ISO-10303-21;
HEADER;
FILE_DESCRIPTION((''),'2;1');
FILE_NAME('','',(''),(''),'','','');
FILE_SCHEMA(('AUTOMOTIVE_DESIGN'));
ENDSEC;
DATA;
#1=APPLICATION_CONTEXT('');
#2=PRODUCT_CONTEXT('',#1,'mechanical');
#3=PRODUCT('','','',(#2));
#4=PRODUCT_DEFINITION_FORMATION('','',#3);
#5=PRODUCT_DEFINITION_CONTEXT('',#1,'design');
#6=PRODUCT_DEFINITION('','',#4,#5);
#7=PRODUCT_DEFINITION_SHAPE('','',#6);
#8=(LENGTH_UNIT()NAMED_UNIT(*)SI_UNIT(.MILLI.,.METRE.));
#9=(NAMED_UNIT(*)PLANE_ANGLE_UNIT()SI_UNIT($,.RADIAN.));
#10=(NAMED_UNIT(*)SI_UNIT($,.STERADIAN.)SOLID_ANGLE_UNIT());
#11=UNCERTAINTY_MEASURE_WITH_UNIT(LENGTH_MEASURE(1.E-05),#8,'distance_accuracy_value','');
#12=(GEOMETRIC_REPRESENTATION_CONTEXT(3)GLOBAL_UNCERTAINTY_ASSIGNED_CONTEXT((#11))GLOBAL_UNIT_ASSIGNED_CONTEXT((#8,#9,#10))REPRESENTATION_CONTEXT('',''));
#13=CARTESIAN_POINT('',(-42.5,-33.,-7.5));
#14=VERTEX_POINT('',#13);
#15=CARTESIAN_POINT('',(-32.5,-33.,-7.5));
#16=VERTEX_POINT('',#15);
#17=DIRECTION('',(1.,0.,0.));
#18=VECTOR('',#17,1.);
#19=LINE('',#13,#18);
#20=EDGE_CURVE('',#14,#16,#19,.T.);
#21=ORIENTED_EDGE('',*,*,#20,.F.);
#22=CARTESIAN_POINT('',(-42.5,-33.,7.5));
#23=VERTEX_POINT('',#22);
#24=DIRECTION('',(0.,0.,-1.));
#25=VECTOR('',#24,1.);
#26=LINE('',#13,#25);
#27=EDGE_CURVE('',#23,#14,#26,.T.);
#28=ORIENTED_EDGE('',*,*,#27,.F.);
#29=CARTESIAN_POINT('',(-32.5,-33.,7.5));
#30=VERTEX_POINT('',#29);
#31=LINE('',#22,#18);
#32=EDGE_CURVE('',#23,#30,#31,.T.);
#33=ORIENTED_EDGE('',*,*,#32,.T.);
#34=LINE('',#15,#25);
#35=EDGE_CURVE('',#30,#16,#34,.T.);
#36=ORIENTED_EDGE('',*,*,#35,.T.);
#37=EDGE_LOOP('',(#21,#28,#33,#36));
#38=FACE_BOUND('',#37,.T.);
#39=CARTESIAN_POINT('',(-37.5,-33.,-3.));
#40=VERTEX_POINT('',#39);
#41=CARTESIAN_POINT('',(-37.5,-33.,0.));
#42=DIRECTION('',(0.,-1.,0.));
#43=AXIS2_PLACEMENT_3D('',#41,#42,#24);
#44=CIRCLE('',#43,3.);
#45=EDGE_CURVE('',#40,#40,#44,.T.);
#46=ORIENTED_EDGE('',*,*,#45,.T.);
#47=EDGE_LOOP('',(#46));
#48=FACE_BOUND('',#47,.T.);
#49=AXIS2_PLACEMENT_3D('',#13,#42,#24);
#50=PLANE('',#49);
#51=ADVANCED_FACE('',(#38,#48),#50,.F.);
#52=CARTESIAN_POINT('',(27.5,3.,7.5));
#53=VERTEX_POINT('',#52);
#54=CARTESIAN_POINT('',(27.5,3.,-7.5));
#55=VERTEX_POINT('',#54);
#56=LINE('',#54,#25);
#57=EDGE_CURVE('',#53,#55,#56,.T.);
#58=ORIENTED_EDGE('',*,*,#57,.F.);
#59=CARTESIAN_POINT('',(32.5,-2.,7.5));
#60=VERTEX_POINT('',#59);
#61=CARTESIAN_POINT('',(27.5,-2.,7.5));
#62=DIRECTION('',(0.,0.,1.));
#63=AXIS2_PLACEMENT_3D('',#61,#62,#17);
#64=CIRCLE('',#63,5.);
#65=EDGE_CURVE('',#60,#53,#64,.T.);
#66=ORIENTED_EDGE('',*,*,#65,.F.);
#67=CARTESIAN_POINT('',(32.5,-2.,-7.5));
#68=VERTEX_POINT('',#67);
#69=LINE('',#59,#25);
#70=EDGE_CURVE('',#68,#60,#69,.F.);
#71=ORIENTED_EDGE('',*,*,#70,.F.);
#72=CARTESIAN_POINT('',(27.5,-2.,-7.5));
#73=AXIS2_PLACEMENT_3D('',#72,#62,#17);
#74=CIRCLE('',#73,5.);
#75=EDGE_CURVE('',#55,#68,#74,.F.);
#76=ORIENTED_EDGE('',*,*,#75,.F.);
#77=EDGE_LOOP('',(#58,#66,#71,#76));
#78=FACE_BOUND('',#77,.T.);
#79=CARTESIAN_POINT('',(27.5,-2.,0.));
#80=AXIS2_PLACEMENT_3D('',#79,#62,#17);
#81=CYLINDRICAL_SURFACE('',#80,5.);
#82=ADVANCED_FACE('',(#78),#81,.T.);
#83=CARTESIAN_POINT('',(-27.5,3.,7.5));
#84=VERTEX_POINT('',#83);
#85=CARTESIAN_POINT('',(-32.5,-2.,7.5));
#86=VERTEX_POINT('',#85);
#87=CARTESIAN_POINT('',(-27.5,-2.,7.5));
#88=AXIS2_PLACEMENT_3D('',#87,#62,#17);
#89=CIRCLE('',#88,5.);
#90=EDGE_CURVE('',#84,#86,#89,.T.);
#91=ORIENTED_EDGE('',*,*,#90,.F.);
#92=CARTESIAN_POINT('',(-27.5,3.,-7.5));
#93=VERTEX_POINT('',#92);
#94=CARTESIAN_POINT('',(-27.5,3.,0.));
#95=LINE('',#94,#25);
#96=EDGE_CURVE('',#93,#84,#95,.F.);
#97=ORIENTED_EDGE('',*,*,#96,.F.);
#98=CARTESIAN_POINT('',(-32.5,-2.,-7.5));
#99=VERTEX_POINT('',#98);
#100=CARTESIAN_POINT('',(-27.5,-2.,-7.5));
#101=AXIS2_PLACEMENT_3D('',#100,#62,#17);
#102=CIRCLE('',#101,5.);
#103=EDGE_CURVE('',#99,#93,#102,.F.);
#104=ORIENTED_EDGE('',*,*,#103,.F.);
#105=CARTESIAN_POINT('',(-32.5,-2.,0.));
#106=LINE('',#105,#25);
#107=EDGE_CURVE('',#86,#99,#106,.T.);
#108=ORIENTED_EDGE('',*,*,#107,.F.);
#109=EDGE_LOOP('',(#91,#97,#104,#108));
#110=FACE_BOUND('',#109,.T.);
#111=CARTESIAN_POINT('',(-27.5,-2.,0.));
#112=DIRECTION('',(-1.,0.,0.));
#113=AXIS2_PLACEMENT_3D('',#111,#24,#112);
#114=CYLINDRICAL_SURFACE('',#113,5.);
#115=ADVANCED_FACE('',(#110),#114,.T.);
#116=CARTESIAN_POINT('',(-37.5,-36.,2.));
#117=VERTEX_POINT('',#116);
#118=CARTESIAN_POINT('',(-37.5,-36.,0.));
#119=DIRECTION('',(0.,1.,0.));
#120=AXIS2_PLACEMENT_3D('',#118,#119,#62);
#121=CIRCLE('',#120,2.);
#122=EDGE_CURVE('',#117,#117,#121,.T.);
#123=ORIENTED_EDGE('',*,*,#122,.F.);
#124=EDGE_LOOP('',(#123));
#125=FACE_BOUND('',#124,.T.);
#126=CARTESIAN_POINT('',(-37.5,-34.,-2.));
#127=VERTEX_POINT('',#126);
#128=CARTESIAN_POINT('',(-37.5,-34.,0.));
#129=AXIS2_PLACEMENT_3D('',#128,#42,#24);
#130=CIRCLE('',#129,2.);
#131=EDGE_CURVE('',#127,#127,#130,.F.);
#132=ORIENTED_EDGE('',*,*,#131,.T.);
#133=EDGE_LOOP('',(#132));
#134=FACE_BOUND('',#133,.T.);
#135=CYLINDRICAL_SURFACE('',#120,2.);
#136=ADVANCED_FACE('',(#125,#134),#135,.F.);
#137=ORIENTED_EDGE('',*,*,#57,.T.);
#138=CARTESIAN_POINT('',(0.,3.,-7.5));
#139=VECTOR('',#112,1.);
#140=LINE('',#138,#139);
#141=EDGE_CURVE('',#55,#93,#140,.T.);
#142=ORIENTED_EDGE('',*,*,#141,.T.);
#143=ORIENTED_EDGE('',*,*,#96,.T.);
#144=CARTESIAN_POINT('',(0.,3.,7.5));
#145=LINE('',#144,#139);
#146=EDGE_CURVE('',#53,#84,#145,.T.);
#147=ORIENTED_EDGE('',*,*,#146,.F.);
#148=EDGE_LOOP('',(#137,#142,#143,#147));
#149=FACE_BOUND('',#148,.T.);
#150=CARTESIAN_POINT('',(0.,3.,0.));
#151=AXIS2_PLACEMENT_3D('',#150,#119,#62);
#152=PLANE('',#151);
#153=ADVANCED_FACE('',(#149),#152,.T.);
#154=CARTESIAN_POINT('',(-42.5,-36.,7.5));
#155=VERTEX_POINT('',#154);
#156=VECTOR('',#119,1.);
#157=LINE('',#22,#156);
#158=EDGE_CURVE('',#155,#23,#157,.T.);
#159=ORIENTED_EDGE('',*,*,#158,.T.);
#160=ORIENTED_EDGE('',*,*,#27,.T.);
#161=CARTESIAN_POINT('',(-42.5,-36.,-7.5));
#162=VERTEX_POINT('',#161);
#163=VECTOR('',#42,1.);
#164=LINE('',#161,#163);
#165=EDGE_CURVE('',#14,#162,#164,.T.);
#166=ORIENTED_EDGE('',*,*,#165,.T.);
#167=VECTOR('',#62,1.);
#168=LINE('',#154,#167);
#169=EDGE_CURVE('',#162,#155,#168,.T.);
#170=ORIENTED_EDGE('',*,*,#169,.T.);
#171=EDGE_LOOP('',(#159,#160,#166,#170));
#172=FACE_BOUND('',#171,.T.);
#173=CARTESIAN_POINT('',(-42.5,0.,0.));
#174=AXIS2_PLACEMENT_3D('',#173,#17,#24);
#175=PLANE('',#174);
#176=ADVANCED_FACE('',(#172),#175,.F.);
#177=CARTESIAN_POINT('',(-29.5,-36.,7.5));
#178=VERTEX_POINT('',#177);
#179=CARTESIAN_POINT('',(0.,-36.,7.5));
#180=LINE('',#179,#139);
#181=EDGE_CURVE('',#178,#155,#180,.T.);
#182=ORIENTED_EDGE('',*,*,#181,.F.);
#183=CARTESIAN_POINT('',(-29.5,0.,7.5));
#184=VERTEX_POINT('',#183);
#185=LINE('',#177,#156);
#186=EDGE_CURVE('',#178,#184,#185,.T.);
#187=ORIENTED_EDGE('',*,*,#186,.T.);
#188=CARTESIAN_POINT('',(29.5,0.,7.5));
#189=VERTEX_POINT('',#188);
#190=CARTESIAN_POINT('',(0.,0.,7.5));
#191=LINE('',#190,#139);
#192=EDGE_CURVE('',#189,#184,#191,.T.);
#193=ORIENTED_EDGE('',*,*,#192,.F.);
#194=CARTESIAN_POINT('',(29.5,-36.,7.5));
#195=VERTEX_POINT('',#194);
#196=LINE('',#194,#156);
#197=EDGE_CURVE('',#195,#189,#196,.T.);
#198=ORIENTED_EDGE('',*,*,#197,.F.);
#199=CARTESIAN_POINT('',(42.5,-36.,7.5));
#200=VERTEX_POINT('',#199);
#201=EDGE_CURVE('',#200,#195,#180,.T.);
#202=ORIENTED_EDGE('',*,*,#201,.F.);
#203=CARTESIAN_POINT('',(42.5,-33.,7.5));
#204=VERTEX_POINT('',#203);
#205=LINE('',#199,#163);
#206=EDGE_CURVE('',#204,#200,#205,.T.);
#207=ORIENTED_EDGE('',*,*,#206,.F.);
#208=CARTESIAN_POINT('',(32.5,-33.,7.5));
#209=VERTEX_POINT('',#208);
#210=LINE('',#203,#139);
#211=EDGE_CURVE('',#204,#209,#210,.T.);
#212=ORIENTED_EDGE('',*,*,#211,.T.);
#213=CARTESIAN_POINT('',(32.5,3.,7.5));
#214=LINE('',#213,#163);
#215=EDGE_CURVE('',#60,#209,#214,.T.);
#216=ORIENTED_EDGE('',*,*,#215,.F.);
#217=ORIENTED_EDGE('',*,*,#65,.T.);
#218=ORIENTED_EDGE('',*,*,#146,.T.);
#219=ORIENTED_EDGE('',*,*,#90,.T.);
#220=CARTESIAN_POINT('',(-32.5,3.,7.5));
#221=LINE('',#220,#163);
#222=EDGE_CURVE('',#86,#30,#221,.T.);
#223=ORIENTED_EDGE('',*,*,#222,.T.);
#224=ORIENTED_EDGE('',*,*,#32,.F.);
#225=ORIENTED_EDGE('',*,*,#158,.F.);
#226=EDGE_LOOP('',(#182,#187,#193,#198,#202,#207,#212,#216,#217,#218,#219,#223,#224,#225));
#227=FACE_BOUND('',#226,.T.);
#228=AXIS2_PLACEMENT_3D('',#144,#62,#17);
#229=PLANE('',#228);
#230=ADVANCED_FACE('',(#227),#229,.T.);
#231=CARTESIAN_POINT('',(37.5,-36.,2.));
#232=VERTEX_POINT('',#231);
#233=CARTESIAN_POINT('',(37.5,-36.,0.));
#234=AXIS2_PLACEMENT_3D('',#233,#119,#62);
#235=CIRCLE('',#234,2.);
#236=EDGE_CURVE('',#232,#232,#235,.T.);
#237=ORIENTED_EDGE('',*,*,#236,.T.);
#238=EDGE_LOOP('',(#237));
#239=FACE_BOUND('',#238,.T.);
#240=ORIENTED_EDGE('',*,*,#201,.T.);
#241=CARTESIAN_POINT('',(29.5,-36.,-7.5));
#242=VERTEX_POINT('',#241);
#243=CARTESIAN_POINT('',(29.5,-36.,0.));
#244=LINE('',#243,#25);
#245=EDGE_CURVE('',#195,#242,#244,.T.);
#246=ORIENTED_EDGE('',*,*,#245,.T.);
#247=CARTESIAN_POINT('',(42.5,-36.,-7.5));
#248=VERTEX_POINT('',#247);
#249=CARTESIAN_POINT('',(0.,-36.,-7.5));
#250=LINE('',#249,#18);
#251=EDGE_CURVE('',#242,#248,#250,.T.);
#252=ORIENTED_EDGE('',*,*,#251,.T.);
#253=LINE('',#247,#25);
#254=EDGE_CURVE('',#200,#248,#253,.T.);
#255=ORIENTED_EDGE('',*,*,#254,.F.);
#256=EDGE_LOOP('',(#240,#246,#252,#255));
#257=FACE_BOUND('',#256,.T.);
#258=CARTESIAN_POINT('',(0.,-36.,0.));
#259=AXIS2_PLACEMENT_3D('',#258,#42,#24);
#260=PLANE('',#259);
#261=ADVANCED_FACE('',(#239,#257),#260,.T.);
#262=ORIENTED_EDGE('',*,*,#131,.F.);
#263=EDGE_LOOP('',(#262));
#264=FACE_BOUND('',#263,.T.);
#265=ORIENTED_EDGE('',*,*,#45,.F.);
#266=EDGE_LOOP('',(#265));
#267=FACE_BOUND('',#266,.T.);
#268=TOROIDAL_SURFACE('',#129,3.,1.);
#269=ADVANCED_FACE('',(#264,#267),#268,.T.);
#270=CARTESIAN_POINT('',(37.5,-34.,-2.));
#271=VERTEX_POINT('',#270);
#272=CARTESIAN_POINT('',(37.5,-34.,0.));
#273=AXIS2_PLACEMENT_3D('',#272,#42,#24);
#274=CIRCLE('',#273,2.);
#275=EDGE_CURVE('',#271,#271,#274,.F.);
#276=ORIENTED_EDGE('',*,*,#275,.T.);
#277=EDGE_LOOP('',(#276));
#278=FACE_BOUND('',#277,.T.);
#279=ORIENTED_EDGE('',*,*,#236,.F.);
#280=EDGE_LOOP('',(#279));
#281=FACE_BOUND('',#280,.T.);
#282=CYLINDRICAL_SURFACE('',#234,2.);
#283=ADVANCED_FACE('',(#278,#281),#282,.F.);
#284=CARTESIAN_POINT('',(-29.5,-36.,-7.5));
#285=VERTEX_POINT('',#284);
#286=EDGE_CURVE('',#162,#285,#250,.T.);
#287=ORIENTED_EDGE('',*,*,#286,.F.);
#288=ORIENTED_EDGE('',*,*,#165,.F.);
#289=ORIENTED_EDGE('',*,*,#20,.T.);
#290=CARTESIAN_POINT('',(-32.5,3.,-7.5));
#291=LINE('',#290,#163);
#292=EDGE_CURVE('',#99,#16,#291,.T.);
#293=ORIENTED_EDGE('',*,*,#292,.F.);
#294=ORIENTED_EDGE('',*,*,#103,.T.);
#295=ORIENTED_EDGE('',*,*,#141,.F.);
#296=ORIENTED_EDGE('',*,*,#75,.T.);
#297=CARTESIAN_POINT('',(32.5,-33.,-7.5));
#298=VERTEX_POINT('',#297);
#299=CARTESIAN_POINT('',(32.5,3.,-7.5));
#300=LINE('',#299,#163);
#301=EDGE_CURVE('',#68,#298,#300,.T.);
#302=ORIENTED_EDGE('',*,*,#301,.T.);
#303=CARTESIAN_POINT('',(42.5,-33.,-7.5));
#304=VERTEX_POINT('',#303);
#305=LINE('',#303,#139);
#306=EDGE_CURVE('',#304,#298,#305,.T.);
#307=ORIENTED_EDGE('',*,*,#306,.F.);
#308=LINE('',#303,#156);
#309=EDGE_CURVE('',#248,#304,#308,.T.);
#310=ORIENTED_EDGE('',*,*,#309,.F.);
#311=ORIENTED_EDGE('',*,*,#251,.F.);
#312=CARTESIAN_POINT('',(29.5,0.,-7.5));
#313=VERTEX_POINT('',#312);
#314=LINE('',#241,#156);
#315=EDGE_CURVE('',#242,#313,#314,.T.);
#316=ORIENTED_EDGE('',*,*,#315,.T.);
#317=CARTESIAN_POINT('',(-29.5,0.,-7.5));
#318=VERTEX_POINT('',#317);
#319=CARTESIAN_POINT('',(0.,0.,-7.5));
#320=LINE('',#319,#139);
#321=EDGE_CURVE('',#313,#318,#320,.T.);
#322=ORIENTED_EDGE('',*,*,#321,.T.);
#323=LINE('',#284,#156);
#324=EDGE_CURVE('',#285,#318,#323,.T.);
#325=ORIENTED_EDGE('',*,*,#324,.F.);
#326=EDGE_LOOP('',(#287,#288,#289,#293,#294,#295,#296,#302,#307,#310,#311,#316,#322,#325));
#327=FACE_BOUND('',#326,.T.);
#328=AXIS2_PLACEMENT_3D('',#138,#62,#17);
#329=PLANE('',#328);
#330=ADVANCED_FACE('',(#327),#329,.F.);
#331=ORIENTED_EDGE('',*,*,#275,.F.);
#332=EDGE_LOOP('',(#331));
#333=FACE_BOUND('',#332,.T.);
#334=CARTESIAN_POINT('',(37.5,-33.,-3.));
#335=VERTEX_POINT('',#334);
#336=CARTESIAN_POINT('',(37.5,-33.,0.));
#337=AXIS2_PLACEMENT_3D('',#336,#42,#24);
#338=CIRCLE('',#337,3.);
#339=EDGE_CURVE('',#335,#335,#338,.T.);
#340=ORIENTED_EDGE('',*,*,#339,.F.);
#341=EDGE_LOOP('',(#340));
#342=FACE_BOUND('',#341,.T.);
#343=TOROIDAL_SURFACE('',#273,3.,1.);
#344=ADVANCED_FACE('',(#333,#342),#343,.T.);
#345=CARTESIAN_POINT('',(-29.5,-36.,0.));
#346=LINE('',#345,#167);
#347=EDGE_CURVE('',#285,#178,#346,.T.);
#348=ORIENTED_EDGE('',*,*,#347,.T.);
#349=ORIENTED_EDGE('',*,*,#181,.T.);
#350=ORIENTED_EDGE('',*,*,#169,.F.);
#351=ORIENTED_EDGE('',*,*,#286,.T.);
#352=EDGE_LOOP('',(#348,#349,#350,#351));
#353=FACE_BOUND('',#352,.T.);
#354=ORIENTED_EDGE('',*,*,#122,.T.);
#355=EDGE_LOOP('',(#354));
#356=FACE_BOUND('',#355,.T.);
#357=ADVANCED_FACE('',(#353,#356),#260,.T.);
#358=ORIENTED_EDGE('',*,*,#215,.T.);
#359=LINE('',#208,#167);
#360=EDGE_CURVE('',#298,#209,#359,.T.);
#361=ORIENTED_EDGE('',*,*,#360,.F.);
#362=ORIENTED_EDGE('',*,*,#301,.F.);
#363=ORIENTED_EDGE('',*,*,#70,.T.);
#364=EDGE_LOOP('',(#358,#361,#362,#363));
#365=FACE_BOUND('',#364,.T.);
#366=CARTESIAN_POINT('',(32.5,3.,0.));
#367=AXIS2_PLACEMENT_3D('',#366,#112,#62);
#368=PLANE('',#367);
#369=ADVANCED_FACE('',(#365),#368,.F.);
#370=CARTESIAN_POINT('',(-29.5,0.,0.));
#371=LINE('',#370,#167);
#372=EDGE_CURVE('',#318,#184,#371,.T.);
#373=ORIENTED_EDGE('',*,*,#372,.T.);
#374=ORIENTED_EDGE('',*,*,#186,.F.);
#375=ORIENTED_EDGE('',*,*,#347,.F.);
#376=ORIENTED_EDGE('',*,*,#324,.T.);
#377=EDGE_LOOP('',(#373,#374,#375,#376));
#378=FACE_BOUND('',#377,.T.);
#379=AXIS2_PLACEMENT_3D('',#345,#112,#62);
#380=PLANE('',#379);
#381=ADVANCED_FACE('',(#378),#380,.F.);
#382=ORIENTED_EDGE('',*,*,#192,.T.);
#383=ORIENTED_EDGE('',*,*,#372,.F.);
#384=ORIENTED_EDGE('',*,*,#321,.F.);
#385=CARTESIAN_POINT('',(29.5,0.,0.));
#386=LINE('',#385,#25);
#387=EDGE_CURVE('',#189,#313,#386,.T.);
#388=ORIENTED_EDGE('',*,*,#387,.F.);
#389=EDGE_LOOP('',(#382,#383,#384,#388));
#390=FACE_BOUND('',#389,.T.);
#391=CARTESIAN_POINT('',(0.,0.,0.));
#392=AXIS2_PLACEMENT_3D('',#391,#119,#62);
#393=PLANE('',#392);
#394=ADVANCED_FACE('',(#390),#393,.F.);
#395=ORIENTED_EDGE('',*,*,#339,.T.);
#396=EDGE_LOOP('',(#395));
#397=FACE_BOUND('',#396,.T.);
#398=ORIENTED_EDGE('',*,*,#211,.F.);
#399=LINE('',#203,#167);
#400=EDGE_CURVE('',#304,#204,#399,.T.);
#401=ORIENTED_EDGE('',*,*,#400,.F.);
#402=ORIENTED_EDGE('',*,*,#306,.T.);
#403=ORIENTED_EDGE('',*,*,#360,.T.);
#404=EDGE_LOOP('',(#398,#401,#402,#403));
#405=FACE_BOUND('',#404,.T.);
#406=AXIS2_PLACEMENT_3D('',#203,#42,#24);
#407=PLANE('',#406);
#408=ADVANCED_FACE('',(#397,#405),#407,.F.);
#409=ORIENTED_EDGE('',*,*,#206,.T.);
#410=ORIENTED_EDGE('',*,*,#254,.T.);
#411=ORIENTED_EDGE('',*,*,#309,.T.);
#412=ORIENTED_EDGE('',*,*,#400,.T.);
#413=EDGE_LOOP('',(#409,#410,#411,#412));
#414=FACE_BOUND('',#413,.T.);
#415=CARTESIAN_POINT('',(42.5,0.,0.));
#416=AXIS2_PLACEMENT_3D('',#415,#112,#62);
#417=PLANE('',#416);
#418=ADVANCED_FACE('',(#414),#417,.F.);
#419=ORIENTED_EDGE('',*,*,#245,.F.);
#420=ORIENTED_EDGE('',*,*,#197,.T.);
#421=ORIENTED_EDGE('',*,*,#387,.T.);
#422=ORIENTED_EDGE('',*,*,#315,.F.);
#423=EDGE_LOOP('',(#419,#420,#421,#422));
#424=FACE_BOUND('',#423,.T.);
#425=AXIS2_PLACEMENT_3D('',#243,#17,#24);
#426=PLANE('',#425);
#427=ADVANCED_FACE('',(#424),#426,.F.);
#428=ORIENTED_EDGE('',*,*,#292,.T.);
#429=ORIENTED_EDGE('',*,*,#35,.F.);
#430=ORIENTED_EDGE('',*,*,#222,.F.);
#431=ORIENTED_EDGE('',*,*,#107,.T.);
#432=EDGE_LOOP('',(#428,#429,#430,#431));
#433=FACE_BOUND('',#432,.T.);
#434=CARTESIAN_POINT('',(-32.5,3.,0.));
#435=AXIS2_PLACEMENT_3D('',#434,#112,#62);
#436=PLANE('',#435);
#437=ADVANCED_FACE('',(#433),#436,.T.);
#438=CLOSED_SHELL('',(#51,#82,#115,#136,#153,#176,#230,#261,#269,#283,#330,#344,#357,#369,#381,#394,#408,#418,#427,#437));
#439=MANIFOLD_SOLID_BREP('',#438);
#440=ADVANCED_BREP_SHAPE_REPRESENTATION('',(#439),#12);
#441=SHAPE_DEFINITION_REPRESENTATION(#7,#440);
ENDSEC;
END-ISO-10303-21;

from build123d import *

# Parameters (mm, degrees)
BOSS_EXTRUDE1_DEPTH = 3
SKETCH3_W           = 3
SKETCH3_H           = 15
BOSS_EXTRUDE2_DEPTH = 36
SKETCH5_W           = 15
SKETCH5_H           = 3
BOSS_EXTRUDE3_DEPTH = 10
SKETCH6_W           = 15
SKETCH6_H           = 3
BOSS_EXTRUDE4_DEPTH = 10
CUT_EXTRUDE1_DEPTH  = 3
FILLET1_R           = 5
FILLET2_R           = 1


with BuildPart() as part:
    # Sketch2 → Boss-Extrude1 (new body)
    with BuildSketch(Plane(origin=(0, 0, 0), x_dir=(1, 0, 0), z_dir=(0, 1, 0))):
        Polygon((32.5, 0), (0, 0), (-32.5, 0), (-32.5, -7.5), (32.5, -7.5), align=None)
        Polygon((-32.5, 0), (0, 0), (32.5, 0), (32.5, 7.5), (-32.5, 7.5), align=None)
    extrude(amount=BOSS_EXTRUDE1_DEPTH)

    # Sketch3 → Boss-Extrude2 (add)
    with BuildSketch(Plane.XZ):
        Polygon((-29.5, 7.5), (-32.5, 7.5), (-32.5, -7.5), align=None)
        Polygon((-29.5, -7.5), (-29.5, 7.5), (-32.5, -7.5), align=None)
        with Locations((31, 0)):
            Rectangle(SKETCH3_W, SKETCH3_H)
    extrude(amount=BOSS_EXTRUDE2_DEPTH)

    # Sketch5 → Boss-Extrude3 (add)
    with BuildSketch(Plane(origin=(32.5, 0, 0), x_dir=(0, 0, -1), z_dir=(1, 0, 0))):
        with Locations((0, -34.5)):
            Rectangle(SKETCH5_W, SKETCH5_H)
    extrude(amount=BOSS_EXTRUDE3_DEPTH)

    # Sketch6 → Boss-Extrude4 (add)
    with BuildSketch(Plane.ZY.offset(32.5)):
        with Locations((0, -34.5)):
            Rectangle(SKETCH6_W, SKETCH6_H)
    extrude(amount=BOSS_EXTRUDE4_DEPTH)

    # Sketch7 → Cut-Extrude1 (cut)
    with BuildSketch(Plane(origin=(0, -33, 0), x_dir=(1, 0, 0), z_dir=(0, 1, 0))):
        with BuildLine():
            ThreePointArc((-35.5, 0), (-36.556284149, 1.763349198), (-38.609400392, 1.664100589))
            Line((-38.609400392, 1.664100589), (-36.390599608, -1.664100589))
            ThreePointArc((-36.390599608, -1.664100589), (-35.736650802, -0.943715851), (-35.5, 0))
        make_face()
        with BuildLine():
            Line((-36.390599608, -1.664100589), (-38.609400392, 1.664100589))
            ThreePointArc((-38.609400392, 1.664100589), (-39.164100589, -1.109400392), (-36.390599608, -1.664100589))
        make_face()
        with BuildLine():
            ThreePointArc((36.390599608, 1.664100589), (35.835899411, -1.109400392), (38.609400392, -1.664100589))
            Line((38.609400392, -1.664100589), (36.390599608, 1.664100589))
        make_face()
        with BuildLine():
            Line((36.390599608, 1.664100589), (38.609400392, -1.664100589))
            ThreePointArc((38.609400392, -1.664100589), (39.263349198, -0.943715851), (39.5, 0))
            ThreePointArc((39.5, 0), (38.443715851, 1.763349198), (36.390599608, 1.664100589))
        make_face()
    extrude(amount=-CUT_EXTRUDE1_DEPTH, mode=Mode.SUBTRACT)

    # Fillet1
    fillet1_edges = [part.edges().sort_by_distance(p)[0] for p in [
        (32.5, 3, 0),
        (-32.5, 3, 0),
    ]]
    fillet(fillet1_edges, radius=FILLET1_R)

    # Fillet2
    fillet2_edges = [part.edges().sort_by_distance(p)[0] for p in [
        (-38.609400392, -33, -1.664100589),
        (38.609400392, -33, 1.664100589),
    ]]
    fillet(fillet2_edges, radius=FILLET2_R)


solid = part.part
